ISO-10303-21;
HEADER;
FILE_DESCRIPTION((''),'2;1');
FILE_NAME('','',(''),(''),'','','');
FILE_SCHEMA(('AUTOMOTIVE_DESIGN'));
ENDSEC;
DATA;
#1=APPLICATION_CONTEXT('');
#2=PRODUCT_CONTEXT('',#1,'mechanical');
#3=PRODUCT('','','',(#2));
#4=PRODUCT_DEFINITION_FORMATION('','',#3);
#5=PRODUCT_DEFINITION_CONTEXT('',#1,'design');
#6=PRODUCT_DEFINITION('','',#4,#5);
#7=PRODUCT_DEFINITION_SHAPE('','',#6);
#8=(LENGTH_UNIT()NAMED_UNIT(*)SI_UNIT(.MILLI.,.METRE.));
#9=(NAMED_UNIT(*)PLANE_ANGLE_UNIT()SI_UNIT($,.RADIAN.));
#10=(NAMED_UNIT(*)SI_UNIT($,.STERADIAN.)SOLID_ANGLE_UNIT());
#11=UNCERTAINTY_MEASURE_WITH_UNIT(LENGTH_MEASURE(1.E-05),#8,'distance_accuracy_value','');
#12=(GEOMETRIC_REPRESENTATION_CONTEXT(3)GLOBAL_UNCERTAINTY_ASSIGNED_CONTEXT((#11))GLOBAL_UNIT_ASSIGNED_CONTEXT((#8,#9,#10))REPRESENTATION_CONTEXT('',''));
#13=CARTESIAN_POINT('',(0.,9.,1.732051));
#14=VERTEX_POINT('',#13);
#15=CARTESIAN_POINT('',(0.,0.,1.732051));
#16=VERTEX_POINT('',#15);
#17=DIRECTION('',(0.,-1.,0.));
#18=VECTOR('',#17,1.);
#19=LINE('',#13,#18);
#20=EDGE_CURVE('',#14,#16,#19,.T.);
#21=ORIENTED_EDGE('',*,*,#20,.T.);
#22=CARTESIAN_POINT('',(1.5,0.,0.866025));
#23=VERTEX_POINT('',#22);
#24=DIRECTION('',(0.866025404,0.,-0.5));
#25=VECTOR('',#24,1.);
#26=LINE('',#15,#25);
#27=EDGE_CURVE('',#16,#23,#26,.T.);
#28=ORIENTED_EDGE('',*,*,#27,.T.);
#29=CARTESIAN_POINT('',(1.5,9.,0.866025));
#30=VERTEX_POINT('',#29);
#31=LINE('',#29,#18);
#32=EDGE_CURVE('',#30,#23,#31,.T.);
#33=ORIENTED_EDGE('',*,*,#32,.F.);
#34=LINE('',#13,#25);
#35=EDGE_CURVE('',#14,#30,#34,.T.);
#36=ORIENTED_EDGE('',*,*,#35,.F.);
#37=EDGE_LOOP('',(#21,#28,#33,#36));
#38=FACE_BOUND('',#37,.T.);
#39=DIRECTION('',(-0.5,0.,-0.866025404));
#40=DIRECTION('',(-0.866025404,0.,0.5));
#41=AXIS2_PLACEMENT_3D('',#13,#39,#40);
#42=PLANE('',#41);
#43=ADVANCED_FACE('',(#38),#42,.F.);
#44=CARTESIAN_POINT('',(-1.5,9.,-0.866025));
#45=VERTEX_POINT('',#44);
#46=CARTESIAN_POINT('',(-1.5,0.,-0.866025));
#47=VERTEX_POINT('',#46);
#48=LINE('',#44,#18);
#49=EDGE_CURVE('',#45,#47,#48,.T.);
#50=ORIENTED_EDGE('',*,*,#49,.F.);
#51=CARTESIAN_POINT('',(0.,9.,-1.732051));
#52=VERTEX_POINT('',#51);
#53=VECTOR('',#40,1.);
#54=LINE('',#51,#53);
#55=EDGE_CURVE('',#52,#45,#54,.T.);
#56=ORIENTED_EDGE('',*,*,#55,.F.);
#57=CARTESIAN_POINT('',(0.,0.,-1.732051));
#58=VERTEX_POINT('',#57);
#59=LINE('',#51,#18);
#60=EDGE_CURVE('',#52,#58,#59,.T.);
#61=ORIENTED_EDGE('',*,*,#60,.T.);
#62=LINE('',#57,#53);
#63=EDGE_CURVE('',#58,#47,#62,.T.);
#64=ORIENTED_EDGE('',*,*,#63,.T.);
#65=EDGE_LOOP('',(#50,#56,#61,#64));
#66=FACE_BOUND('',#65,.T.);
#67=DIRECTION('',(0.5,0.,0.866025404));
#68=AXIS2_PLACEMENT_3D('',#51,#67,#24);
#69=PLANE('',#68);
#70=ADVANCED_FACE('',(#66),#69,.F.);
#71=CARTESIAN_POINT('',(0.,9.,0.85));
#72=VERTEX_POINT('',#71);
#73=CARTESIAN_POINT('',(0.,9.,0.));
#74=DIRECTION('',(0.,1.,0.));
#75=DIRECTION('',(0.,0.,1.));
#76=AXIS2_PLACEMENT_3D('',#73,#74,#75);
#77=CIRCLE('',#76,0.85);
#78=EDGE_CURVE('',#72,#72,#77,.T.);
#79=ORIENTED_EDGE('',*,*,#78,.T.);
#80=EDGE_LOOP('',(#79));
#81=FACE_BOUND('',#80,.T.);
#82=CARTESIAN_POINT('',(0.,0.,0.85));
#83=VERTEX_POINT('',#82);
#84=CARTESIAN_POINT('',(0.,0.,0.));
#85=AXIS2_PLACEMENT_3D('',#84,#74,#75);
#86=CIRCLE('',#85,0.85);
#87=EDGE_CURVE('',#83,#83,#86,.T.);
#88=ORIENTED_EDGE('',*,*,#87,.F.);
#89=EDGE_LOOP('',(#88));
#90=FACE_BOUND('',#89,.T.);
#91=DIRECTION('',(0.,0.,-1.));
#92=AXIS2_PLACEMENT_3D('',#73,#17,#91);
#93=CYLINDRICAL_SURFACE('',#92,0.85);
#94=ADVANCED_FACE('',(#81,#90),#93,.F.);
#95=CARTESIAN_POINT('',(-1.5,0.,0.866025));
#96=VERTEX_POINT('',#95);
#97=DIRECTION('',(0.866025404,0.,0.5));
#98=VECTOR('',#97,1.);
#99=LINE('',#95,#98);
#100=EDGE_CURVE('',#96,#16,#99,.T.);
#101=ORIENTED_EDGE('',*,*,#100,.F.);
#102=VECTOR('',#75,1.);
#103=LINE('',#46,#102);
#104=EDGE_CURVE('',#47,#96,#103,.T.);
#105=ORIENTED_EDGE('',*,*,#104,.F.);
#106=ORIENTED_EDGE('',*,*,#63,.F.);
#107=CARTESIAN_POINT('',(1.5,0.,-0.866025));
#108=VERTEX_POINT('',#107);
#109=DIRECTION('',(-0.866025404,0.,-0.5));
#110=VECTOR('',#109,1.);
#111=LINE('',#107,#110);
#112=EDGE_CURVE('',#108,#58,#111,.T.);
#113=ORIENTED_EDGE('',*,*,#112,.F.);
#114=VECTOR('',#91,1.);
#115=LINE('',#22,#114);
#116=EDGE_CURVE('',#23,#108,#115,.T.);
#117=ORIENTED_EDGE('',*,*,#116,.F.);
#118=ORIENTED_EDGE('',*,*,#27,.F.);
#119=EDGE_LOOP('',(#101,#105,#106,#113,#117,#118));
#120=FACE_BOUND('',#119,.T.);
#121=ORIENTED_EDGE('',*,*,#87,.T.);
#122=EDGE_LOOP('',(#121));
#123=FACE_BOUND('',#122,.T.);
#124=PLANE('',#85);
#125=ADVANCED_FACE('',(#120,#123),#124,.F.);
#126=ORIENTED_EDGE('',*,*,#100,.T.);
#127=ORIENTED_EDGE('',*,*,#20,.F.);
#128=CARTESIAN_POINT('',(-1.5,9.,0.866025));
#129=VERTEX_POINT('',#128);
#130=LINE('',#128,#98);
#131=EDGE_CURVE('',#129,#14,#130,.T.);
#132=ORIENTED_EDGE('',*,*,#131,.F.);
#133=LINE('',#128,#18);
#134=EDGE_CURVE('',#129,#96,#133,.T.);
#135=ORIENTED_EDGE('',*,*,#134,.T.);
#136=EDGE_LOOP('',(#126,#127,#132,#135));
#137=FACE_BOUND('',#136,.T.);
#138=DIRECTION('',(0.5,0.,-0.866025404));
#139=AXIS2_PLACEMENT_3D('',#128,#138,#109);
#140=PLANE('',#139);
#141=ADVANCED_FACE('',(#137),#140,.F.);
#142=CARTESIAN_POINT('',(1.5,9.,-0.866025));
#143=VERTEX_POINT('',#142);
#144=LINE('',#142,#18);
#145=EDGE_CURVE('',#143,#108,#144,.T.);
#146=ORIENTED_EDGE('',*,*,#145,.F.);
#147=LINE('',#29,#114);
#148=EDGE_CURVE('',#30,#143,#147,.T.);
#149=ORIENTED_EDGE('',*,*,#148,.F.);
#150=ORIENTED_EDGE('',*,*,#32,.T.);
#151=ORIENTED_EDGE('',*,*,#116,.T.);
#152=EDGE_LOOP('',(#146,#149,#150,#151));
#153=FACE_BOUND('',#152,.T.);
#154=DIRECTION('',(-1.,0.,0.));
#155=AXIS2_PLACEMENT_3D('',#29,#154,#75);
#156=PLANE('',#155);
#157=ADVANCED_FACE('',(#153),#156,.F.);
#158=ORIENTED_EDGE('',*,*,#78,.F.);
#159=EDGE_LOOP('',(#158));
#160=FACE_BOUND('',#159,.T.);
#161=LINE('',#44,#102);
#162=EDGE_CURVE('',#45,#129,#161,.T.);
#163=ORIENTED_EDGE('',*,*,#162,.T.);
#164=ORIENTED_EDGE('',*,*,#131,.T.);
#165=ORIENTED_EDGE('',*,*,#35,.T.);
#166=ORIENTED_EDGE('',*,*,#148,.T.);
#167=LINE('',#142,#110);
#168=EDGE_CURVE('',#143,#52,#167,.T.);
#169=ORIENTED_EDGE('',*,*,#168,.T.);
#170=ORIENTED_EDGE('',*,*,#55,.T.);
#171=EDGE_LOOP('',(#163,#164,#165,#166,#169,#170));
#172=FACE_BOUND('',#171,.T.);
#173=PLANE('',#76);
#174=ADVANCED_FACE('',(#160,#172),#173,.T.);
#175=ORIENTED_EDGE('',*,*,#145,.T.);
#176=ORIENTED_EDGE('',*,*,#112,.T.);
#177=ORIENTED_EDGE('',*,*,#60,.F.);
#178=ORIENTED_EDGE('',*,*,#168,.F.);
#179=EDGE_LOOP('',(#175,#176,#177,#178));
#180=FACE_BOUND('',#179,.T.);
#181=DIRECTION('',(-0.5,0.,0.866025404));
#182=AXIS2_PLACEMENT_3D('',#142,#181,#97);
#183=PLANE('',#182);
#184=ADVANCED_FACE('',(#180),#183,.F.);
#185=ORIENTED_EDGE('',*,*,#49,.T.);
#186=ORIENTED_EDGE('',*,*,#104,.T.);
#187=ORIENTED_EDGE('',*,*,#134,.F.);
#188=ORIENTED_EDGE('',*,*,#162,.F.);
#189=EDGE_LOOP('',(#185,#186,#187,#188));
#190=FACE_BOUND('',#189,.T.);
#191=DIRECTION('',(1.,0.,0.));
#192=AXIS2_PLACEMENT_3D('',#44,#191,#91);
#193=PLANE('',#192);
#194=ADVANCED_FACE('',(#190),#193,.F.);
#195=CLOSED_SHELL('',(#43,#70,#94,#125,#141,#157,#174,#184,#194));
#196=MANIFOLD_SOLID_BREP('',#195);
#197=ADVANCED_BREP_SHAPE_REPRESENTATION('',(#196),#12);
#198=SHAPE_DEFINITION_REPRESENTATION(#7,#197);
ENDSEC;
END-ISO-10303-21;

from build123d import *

# Parameters (mm, degrees)
SKETCH1_R           = 0.85
BOSS_EXTRUDE1_DEPTH = 9


with BuildPart() as part:
    # Sketch1 → Boss-Extrude1 (new body)
    with BuildSketch(Plane(origin=(0, 0, 0), x_dir=(1, 0, 0), z_dir=(0, 1, 0))):
        Polygon((0, -1.732050808), (1.5, -0.866025404), (1.5, 0.866025404), (0, 1.732050808), (-1.5, 0.866025404), (-1.5, -0.866025404), align=None)
        Circle(SKETCH1_R, mode=Mode.SUBTRACT)
    extrude(amount=BOSS_EXTRUDE1_DEPTH)


solid = part.part
